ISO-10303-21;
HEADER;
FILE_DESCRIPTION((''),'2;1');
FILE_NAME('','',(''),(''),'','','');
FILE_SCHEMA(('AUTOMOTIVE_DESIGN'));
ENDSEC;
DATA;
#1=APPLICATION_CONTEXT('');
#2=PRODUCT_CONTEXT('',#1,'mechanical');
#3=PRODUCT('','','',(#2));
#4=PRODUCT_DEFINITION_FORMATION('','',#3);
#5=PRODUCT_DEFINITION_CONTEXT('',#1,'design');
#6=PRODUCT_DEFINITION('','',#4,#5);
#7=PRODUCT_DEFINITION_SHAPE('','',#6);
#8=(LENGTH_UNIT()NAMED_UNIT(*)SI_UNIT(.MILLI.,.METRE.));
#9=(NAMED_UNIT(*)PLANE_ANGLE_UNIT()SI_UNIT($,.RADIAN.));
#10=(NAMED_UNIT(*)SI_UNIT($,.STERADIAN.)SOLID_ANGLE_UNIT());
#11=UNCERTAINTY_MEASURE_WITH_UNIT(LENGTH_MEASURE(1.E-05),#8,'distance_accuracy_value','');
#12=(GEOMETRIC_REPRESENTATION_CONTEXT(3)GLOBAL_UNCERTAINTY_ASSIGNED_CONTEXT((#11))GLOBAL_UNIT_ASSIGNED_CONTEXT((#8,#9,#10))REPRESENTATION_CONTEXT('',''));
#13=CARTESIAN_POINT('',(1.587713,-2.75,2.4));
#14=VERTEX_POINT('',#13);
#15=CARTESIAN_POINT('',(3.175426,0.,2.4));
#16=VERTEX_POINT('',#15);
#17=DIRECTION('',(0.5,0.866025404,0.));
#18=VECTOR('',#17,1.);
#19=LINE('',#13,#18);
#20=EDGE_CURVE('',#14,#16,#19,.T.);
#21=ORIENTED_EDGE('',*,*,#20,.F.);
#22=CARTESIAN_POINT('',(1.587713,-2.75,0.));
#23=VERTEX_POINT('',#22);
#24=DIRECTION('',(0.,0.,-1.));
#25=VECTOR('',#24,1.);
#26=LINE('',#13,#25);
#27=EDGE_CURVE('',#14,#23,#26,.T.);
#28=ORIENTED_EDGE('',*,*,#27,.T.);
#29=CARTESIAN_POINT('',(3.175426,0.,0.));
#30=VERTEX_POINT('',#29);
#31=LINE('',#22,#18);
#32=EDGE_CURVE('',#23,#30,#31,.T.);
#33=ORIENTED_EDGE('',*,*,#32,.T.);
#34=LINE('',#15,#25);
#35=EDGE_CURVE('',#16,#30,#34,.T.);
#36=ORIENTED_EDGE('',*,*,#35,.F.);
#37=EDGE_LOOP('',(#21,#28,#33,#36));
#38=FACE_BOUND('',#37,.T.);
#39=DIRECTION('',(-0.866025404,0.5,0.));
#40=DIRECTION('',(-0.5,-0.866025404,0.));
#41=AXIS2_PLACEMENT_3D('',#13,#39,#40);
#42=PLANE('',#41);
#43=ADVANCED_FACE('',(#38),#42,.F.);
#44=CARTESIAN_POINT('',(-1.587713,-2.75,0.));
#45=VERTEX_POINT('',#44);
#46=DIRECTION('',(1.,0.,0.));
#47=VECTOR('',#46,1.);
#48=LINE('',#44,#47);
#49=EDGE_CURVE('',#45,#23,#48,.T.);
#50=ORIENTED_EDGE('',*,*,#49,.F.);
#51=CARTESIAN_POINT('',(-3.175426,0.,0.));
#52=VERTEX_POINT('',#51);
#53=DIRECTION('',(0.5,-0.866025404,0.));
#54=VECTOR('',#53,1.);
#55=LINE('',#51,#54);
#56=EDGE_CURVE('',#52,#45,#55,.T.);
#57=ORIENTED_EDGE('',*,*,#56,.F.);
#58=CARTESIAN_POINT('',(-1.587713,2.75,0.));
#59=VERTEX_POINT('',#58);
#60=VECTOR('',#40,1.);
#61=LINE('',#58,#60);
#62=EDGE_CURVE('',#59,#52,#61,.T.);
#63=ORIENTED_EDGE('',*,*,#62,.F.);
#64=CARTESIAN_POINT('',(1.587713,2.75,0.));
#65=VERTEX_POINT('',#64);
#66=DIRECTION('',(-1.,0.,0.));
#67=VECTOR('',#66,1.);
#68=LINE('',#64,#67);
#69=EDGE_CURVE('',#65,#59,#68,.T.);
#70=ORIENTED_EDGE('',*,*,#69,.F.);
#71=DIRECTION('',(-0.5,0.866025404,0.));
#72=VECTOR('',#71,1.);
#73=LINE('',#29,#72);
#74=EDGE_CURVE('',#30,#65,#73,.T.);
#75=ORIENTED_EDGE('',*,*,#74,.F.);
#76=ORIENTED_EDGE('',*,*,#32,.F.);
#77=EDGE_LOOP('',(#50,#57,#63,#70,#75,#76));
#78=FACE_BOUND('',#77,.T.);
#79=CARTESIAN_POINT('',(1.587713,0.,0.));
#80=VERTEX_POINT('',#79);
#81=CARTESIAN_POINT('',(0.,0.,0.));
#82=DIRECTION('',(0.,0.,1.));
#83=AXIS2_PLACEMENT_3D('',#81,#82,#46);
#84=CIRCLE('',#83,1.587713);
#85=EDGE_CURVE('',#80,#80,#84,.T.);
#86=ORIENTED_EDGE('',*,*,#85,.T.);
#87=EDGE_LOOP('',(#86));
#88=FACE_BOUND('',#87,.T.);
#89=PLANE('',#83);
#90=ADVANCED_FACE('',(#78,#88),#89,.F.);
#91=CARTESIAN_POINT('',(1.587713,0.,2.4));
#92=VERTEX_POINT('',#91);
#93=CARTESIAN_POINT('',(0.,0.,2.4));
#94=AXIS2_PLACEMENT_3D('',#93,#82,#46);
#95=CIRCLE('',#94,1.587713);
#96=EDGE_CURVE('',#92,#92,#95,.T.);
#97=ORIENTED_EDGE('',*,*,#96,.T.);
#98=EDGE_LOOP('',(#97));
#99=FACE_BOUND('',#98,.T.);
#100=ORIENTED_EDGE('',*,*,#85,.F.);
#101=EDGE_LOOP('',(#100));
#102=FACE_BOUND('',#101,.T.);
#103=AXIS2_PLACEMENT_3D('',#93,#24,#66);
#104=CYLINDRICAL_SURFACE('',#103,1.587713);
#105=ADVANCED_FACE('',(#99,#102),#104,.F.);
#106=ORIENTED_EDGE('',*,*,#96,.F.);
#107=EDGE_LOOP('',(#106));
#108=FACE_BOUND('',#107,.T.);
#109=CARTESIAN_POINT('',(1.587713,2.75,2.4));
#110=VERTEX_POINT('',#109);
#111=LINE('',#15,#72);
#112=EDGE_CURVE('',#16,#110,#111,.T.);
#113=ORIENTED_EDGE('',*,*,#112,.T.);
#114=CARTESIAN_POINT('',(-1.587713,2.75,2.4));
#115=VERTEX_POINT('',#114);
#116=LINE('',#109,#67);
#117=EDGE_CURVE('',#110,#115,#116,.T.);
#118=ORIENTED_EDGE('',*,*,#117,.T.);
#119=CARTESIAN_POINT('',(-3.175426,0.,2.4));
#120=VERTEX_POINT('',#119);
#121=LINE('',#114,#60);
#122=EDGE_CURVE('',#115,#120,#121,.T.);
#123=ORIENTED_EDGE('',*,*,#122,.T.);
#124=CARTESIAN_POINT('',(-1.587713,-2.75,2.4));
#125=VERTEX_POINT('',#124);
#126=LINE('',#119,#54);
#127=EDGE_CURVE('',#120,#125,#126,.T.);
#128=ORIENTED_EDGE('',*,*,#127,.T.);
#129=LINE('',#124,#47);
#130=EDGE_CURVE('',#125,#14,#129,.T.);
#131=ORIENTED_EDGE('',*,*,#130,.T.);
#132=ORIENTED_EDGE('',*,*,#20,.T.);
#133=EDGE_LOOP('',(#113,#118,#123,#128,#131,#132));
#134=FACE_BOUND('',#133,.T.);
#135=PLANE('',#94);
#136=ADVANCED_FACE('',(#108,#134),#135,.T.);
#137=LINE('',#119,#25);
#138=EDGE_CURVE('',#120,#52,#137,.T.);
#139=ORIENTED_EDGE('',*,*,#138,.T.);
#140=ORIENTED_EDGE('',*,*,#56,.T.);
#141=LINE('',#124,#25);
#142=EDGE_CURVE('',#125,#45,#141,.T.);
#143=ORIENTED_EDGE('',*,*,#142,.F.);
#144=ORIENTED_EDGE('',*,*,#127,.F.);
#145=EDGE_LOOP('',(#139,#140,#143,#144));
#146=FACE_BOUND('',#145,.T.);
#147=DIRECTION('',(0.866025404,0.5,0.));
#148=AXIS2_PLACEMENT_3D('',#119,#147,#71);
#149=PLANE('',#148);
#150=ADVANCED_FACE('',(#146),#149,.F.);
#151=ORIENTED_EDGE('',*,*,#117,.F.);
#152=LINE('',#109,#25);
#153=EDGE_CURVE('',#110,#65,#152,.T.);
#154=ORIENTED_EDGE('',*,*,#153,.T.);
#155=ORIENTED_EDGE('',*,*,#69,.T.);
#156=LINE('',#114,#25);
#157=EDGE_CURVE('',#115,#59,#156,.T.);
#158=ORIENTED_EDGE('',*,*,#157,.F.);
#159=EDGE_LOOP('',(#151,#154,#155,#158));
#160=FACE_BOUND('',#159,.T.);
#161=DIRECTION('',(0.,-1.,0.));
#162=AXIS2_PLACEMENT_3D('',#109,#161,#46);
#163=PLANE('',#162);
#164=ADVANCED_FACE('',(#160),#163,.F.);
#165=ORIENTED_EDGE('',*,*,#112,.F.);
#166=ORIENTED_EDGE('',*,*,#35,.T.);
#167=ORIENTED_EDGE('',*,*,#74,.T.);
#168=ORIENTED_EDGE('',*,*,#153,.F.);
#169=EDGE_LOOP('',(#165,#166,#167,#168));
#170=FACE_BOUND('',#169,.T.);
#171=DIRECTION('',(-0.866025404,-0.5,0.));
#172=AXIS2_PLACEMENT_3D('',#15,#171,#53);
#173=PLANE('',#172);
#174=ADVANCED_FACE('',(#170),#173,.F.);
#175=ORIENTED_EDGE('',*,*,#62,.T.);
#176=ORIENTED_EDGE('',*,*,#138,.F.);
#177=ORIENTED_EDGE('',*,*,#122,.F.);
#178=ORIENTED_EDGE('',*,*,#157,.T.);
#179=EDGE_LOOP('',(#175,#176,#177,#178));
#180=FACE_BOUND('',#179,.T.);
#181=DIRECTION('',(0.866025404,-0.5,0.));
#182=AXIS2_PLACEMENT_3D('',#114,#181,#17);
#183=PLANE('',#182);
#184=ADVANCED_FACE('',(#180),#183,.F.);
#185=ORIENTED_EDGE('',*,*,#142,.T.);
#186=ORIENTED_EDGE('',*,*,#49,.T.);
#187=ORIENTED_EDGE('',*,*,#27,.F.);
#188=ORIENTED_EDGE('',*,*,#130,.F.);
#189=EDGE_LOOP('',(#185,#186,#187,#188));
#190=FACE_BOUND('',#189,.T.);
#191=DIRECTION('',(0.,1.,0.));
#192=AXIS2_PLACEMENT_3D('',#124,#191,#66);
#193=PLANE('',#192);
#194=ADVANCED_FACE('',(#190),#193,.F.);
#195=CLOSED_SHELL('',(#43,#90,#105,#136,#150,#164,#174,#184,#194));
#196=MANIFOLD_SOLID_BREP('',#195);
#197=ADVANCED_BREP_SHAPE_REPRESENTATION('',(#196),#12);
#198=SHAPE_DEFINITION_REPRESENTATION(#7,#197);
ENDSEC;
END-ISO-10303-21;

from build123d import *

# Parameters (mm, degrees)
SKETCH_1_R               = 1.58771324
EXTRUDE_M3_5_5_2_4_DEPTH = 2.4


with BuildPart() as part:
    # 草图1 → M3螺母_对边5.5_厚2.4_牙型简化 (new body)
    with BuildSketch(Plane.XY):
        Polygon((3.175426481, 0), (1.58771324, 2.75), (-1.58771324, 2.75), (-3.175426481, 0), (-1.58771324, -2.75), (1.58771324, -2.75), align=None)
        Circle(SKETCH_1_R, mode=Mode.SUBTRACT)
    extrude(amount=EXTRUDE_M3_5_5_2_4_DEPTH)


solid = part.part
